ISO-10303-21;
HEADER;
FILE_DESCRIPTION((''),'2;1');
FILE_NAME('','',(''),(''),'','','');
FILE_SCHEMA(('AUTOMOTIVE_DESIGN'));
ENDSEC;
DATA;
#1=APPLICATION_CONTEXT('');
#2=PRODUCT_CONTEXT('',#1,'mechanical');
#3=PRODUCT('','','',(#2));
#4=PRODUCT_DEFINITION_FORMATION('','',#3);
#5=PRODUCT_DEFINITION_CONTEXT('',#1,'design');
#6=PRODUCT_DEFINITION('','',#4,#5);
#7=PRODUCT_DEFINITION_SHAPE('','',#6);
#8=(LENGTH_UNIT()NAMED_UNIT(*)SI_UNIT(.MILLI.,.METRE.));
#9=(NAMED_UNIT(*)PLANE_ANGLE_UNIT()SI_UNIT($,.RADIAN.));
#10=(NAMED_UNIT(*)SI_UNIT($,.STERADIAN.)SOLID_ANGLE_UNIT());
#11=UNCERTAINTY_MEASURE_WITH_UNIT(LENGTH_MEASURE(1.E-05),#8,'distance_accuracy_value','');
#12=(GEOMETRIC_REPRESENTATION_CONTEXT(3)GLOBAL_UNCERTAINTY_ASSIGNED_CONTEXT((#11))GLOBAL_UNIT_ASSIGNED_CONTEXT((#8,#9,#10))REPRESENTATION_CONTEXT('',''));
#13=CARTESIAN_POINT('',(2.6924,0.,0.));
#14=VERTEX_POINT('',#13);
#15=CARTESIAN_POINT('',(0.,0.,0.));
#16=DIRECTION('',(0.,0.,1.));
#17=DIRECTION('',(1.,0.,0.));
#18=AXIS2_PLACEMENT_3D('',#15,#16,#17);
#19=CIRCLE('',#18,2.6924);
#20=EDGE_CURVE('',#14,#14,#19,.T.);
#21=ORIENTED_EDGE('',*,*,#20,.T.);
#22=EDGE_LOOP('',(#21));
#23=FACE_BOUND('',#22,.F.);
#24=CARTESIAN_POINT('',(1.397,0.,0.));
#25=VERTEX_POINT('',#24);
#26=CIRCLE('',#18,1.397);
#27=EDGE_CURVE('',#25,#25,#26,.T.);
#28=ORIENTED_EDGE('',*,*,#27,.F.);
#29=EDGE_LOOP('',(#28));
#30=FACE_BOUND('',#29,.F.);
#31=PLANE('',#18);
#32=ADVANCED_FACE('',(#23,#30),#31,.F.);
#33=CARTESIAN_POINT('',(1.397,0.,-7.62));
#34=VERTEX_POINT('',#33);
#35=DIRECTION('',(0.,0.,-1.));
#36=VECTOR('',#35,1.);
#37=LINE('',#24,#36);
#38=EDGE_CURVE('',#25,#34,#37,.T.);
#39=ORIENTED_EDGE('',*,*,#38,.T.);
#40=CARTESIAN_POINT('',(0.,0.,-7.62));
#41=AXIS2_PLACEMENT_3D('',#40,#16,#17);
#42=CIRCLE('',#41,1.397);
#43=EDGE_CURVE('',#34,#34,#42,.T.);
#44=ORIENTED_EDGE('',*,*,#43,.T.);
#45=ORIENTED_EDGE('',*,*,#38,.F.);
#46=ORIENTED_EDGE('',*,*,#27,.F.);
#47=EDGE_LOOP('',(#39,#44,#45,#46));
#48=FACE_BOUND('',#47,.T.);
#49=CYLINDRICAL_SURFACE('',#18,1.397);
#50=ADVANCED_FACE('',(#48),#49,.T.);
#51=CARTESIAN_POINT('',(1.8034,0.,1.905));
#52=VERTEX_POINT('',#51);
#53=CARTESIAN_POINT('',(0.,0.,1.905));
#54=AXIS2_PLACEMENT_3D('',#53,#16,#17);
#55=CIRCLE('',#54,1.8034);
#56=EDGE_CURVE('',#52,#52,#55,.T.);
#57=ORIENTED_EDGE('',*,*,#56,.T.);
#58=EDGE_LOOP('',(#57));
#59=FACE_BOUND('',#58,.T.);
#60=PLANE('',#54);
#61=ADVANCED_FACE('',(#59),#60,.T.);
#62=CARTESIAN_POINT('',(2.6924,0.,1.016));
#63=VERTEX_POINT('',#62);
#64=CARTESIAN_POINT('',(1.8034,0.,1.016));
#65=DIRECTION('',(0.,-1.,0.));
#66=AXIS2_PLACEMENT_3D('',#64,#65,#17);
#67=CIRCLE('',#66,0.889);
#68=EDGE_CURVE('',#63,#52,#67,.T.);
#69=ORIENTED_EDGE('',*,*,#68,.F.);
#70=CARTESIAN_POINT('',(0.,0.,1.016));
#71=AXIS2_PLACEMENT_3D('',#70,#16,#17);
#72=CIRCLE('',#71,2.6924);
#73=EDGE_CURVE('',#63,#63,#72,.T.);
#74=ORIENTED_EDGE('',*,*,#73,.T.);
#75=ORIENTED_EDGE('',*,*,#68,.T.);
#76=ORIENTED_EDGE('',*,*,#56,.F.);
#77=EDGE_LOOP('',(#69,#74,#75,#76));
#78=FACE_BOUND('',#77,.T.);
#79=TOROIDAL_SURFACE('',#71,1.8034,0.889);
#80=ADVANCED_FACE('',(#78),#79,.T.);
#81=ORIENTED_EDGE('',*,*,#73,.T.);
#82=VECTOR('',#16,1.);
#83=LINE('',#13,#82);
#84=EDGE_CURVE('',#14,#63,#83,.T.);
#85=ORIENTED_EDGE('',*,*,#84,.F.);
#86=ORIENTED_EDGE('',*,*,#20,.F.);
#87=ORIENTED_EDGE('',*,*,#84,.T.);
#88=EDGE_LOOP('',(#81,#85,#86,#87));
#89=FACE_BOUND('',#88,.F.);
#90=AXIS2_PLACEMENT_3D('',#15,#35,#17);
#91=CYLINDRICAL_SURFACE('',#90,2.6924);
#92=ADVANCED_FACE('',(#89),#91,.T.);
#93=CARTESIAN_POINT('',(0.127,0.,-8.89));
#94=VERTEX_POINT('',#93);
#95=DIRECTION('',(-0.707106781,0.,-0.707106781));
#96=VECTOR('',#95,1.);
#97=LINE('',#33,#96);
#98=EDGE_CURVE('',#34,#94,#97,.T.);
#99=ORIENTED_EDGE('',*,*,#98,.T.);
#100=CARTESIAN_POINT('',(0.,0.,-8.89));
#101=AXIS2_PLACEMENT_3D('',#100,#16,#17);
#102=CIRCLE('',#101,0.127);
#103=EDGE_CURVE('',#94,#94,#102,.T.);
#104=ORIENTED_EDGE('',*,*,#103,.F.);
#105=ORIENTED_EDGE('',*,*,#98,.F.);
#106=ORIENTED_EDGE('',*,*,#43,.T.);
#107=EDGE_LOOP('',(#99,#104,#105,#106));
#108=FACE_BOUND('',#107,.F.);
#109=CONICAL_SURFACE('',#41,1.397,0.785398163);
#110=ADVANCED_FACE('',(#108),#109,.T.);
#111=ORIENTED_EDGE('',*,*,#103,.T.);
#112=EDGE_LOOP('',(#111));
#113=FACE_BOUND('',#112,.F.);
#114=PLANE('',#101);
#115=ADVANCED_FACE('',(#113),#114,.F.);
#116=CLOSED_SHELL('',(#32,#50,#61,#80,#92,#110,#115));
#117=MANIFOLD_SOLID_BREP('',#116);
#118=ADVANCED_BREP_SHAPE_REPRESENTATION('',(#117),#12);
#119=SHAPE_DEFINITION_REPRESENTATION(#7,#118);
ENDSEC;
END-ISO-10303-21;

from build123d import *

# Parameters (mm, degrees)
F0_R     = 2.6924
F1_DEPTH = 1.905
F2_R     = 0.889
F3_R     = 1.397
F4_DEPTH = 8.89
F5_SIZE  = 1.27


with BuildPart() as f1:
    # F0 (on Top) → F1 (new body)
    with BuildSketch(Plane.XY):
        Circle(F0_R)
    extrude(amount=F1_DEPTH)

    # F2
    f2_edges = [f1.edges().sort_by_distance(p)[0] for p in [
        (-2.6924, 0, 1.905),
    ]]
    fillet(f2_edges, radius=F2_R)

    # F3 (on Top) → F4 (join)
    with BuildSketch(Plane.XY):
        Circle(F3_R)
    extrude(amount=-F4_DEPTH)

    # F5
    f5_edges = [f1.edges().sort_by_distance(p)[0] for p in [
        (-1.397, 0, -8.89),
    ]]
    chamfer(f5_edges, length=F5_SIZE)


solid = f1.part
